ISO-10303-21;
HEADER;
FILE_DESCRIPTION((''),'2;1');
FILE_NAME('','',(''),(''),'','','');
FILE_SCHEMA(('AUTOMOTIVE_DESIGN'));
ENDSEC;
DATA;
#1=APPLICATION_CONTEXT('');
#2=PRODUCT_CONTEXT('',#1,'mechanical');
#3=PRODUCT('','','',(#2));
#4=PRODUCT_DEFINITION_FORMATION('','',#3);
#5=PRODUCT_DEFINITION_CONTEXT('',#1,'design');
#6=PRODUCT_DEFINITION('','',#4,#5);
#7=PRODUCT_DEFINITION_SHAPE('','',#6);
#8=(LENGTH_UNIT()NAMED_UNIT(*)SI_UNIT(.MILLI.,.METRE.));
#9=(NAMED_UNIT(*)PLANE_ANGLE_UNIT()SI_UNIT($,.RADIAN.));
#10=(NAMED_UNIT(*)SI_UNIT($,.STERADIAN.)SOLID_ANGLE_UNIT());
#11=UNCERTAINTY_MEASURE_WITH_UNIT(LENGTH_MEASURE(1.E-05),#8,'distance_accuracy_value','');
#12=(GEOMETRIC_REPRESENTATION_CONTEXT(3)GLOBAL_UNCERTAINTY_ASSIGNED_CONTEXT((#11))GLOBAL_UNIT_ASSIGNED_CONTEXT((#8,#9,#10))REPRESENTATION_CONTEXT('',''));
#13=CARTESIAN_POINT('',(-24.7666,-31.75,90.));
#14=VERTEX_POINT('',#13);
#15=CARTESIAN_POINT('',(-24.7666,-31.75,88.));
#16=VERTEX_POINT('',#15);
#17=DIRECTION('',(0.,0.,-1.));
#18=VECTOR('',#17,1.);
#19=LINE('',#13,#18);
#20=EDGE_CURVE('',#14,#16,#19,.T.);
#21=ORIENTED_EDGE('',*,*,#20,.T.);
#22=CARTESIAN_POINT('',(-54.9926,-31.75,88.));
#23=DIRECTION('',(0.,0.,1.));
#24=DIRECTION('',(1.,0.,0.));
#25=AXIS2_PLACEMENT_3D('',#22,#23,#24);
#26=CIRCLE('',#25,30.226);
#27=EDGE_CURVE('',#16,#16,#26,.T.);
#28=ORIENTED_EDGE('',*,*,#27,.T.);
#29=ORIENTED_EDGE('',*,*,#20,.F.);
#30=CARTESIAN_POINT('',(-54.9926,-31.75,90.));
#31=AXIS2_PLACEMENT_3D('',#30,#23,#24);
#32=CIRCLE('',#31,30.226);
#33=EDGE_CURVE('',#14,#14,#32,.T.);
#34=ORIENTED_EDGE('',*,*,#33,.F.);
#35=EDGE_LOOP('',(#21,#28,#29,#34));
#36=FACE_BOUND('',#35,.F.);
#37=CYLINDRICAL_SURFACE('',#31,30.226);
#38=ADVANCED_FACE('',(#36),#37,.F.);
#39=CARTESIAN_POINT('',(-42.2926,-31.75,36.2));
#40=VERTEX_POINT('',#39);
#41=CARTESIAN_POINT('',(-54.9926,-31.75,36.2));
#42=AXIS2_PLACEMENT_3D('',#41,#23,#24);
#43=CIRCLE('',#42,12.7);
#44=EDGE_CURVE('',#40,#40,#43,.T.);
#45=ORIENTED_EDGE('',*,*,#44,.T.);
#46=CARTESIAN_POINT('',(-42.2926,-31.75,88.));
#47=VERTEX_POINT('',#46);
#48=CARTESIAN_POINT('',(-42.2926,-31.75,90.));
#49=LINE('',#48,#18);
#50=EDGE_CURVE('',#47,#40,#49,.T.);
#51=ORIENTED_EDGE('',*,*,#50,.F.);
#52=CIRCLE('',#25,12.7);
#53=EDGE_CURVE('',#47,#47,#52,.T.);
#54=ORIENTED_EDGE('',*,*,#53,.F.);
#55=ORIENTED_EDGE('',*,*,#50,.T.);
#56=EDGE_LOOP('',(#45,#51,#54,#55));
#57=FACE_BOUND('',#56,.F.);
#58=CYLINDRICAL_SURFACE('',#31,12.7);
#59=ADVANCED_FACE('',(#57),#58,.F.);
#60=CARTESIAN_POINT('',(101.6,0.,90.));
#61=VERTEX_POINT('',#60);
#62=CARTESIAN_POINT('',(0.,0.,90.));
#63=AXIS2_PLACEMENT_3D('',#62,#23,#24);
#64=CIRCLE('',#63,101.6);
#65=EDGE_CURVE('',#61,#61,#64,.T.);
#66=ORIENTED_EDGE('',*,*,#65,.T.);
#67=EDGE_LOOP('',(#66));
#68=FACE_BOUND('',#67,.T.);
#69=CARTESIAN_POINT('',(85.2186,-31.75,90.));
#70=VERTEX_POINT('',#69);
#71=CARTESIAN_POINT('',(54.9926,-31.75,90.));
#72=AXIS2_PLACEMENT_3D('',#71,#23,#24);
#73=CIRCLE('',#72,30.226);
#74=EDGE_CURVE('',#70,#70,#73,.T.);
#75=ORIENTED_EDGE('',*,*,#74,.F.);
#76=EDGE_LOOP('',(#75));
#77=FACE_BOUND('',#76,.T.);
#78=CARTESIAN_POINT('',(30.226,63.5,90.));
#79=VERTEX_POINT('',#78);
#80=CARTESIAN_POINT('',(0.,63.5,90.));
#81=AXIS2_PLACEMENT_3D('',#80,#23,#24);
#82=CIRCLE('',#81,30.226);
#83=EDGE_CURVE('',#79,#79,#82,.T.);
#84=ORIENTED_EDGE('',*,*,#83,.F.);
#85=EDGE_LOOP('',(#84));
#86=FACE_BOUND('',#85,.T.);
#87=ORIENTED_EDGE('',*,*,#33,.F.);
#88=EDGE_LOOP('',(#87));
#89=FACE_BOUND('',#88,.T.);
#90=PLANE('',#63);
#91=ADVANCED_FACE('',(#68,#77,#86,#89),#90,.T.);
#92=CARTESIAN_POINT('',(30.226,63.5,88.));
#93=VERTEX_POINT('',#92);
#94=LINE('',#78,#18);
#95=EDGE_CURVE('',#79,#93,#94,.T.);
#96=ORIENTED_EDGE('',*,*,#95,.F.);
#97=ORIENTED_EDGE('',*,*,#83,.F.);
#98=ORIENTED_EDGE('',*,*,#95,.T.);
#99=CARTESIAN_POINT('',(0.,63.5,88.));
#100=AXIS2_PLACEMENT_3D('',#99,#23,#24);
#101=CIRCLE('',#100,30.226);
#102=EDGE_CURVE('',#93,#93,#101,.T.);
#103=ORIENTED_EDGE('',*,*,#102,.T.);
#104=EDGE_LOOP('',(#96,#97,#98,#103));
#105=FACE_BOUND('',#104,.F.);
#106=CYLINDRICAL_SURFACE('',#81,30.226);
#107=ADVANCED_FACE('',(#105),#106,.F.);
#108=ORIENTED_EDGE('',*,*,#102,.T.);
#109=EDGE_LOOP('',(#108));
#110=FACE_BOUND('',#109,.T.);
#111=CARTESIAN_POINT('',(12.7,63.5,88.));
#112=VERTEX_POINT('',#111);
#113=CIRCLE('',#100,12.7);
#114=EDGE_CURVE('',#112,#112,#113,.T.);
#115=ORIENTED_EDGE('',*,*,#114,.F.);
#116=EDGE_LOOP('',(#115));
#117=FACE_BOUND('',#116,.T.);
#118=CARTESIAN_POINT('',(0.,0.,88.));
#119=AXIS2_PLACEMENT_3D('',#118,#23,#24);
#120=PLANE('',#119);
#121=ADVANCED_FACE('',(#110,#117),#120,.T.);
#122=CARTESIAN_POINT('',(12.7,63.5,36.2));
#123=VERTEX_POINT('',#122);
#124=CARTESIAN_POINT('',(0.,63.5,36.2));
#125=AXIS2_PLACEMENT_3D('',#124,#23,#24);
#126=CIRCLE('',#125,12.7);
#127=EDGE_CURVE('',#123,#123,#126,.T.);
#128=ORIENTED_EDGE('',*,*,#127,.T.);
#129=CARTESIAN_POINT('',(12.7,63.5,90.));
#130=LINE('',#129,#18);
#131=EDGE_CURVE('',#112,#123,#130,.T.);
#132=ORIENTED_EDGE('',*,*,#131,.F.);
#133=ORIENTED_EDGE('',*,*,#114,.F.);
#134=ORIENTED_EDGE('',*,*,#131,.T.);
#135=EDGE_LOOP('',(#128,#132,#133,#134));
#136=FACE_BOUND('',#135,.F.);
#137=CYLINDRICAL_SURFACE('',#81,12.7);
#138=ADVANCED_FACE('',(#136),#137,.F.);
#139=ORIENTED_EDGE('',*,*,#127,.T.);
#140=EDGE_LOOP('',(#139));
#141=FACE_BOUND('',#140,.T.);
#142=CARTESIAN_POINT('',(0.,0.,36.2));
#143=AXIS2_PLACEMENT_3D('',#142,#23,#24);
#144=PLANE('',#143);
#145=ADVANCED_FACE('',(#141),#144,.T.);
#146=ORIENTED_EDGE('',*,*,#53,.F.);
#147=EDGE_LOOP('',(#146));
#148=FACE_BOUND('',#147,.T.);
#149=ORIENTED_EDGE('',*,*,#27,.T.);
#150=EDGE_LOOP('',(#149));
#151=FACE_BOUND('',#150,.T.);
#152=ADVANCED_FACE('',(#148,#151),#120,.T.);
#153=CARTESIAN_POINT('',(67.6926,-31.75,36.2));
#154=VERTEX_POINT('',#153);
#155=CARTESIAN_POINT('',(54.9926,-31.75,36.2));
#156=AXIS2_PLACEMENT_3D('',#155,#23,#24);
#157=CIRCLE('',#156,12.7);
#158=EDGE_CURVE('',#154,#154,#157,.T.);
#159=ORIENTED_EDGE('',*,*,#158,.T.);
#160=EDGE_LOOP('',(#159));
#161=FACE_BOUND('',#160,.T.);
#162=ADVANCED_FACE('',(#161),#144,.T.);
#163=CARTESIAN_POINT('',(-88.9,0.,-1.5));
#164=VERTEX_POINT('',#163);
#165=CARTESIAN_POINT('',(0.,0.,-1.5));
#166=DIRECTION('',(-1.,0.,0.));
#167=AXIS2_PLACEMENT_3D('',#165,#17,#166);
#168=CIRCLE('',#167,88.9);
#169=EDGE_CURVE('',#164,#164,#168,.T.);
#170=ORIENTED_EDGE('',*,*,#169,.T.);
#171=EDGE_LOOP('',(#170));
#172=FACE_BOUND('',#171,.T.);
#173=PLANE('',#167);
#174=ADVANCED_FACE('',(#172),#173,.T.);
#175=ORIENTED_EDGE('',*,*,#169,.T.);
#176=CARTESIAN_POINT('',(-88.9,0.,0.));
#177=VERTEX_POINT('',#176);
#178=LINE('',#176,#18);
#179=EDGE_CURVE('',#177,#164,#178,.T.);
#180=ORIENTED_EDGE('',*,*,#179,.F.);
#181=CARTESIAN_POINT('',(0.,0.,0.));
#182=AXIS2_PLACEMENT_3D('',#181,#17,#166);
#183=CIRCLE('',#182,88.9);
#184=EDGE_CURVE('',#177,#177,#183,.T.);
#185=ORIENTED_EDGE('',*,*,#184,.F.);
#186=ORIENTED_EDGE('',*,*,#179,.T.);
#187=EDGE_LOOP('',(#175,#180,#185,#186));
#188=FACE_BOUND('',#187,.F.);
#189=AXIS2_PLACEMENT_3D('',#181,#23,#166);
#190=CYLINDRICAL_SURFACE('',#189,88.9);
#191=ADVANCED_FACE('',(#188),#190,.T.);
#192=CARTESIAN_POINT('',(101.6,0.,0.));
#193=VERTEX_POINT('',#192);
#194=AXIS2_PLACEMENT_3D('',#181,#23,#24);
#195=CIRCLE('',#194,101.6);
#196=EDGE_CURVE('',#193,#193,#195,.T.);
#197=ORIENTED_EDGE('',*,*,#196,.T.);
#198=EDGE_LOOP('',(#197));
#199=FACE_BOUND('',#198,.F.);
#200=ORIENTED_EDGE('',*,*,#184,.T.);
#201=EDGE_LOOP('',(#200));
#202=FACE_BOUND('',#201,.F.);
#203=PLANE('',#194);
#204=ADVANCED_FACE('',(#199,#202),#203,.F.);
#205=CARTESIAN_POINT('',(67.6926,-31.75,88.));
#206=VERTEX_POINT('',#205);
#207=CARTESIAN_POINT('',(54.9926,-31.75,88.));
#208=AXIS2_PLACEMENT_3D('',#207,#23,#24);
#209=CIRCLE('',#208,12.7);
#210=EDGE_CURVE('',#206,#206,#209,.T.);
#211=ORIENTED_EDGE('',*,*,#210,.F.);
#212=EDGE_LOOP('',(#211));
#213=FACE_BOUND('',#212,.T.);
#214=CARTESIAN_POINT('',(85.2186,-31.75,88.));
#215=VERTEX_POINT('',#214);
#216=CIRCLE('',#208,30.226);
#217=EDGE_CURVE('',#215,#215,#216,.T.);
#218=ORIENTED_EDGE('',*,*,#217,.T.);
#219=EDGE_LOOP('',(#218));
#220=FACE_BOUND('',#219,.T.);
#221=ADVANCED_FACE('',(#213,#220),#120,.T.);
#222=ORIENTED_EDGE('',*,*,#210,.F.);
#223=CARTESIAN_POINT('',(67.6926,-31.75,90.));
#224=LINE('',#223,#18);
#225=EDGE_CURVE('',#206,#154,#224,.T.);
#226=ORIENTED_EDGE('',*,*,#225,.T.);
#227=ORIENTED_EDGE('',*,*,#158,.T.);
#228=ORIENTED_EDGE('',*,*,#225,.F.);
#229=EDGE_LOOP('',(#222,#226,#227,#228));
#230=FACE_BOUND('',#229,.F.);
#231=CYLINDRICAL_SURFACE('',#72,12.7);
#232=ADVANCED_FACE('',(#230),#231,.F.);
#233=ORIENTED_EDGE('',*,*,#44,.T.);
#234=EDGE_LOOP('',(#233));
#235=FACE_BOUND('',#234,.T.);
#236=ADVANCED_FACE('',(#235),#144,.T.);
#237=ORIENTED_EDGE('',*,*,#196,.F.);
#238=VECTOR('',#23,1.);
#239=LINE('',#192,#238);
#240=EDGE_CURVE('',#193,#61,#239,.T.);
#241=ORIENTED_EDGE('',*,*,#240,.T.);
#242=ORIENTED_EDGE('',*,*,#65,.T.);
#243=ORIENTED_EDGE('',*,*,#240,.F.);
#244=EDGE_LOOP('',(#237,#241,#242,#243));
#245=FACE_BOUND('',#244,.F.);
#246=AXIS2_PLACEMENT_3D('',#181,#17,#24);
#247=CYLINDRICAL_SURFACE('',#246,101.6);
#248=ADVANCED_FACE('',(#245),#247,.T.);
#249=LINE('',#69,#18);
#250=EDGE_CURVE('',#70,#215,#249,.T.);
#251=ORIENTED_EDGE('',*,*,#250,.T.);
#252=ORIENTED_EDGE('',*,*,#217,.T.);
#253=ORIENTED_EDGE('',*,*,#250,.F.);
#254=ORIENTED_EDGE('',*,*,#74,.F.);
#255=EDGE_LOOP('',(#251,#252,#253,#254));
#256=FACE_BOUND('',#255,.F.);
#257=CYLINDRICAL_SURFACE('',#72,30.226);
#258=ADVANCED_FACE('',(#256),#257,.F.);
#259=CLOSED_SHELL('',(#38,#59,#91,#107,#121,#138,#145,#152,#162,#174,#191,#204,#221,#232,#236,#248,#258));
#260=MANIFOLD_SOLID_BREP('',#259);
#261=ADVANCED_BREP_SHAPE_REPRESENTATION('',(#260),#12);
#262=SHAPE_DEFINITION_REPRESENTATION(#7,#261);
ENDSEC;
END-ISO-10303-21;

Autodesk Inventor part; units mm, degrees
ref_plane "YZ Plane" through (0, 0, 0) normal (1, 0, 0) x (0, 1, 0)
ref_plane "XZ Plane" through (0, 0, 0) normal (0, 1, 0) x (-1, 0, 0)
ref_plane "XY Plane" through (0, 0, 0) normal (0, 0, 1) x (1, 0, 0)
sketch "Sketch1" plane through (0, 0, 0) normal (0, 0, 1) x (1, 0, 0)
  circle A0 centre (0, 0) radius 101.6
  dimension "d10" = 203.2
extrude "Extrusion1" add sketch "Sketch1" along normal blind 90
sketch "Sketch2" plane through (0, 0, 90) normal (0, 0, 1) x (1, 0, 0)
  circle A0 centre (0, 63.5) radius 30.226
  circle A1 centre (-54.9926, -31.75) radius 30.226
  circle A2 centre (54.9926, -31.75) radius 30.226
  point P0 (0, 0)
  dimension "d4" = 360
  dimension "d11" = 63.5
  dimension "d12" = 60.452
extrude "Extrusion2" cut sketch "Sketch2" against normal blind 2
sketch "Sketch5" plane through (0, 0, 0) normal (0, 0, -1) x (-1, 0, 0)
  circle A0 centre (0, 0) radius 88.9
  dimension "d13" = 177.8
extrude "Extrusion4" add sketch "Sketch5" along normal blind 1.5
sketch "Sketch6" plane through (0, 0, 90) normal (0, 0, 1) x (1, 0, 0)
  circle A0 centre (54.9926, -31.75) radius 30.226 projected
  circle A1 centre (54.9926, -31.75) radius 12.7
  circle A2 centre (0, 63.5) radius 12.7
  circle A3 centre (-54.9926, -31.75) radius 12.7
  point P0 (0, 0)
  dimension "d16" = 25.4
  dimension "d19" = 360
extrude "Extrusion5" cut sketch "Sketch6" against normal blind 53.8 contours A1 | A2 | A3
properties part number "membrane_mold"
